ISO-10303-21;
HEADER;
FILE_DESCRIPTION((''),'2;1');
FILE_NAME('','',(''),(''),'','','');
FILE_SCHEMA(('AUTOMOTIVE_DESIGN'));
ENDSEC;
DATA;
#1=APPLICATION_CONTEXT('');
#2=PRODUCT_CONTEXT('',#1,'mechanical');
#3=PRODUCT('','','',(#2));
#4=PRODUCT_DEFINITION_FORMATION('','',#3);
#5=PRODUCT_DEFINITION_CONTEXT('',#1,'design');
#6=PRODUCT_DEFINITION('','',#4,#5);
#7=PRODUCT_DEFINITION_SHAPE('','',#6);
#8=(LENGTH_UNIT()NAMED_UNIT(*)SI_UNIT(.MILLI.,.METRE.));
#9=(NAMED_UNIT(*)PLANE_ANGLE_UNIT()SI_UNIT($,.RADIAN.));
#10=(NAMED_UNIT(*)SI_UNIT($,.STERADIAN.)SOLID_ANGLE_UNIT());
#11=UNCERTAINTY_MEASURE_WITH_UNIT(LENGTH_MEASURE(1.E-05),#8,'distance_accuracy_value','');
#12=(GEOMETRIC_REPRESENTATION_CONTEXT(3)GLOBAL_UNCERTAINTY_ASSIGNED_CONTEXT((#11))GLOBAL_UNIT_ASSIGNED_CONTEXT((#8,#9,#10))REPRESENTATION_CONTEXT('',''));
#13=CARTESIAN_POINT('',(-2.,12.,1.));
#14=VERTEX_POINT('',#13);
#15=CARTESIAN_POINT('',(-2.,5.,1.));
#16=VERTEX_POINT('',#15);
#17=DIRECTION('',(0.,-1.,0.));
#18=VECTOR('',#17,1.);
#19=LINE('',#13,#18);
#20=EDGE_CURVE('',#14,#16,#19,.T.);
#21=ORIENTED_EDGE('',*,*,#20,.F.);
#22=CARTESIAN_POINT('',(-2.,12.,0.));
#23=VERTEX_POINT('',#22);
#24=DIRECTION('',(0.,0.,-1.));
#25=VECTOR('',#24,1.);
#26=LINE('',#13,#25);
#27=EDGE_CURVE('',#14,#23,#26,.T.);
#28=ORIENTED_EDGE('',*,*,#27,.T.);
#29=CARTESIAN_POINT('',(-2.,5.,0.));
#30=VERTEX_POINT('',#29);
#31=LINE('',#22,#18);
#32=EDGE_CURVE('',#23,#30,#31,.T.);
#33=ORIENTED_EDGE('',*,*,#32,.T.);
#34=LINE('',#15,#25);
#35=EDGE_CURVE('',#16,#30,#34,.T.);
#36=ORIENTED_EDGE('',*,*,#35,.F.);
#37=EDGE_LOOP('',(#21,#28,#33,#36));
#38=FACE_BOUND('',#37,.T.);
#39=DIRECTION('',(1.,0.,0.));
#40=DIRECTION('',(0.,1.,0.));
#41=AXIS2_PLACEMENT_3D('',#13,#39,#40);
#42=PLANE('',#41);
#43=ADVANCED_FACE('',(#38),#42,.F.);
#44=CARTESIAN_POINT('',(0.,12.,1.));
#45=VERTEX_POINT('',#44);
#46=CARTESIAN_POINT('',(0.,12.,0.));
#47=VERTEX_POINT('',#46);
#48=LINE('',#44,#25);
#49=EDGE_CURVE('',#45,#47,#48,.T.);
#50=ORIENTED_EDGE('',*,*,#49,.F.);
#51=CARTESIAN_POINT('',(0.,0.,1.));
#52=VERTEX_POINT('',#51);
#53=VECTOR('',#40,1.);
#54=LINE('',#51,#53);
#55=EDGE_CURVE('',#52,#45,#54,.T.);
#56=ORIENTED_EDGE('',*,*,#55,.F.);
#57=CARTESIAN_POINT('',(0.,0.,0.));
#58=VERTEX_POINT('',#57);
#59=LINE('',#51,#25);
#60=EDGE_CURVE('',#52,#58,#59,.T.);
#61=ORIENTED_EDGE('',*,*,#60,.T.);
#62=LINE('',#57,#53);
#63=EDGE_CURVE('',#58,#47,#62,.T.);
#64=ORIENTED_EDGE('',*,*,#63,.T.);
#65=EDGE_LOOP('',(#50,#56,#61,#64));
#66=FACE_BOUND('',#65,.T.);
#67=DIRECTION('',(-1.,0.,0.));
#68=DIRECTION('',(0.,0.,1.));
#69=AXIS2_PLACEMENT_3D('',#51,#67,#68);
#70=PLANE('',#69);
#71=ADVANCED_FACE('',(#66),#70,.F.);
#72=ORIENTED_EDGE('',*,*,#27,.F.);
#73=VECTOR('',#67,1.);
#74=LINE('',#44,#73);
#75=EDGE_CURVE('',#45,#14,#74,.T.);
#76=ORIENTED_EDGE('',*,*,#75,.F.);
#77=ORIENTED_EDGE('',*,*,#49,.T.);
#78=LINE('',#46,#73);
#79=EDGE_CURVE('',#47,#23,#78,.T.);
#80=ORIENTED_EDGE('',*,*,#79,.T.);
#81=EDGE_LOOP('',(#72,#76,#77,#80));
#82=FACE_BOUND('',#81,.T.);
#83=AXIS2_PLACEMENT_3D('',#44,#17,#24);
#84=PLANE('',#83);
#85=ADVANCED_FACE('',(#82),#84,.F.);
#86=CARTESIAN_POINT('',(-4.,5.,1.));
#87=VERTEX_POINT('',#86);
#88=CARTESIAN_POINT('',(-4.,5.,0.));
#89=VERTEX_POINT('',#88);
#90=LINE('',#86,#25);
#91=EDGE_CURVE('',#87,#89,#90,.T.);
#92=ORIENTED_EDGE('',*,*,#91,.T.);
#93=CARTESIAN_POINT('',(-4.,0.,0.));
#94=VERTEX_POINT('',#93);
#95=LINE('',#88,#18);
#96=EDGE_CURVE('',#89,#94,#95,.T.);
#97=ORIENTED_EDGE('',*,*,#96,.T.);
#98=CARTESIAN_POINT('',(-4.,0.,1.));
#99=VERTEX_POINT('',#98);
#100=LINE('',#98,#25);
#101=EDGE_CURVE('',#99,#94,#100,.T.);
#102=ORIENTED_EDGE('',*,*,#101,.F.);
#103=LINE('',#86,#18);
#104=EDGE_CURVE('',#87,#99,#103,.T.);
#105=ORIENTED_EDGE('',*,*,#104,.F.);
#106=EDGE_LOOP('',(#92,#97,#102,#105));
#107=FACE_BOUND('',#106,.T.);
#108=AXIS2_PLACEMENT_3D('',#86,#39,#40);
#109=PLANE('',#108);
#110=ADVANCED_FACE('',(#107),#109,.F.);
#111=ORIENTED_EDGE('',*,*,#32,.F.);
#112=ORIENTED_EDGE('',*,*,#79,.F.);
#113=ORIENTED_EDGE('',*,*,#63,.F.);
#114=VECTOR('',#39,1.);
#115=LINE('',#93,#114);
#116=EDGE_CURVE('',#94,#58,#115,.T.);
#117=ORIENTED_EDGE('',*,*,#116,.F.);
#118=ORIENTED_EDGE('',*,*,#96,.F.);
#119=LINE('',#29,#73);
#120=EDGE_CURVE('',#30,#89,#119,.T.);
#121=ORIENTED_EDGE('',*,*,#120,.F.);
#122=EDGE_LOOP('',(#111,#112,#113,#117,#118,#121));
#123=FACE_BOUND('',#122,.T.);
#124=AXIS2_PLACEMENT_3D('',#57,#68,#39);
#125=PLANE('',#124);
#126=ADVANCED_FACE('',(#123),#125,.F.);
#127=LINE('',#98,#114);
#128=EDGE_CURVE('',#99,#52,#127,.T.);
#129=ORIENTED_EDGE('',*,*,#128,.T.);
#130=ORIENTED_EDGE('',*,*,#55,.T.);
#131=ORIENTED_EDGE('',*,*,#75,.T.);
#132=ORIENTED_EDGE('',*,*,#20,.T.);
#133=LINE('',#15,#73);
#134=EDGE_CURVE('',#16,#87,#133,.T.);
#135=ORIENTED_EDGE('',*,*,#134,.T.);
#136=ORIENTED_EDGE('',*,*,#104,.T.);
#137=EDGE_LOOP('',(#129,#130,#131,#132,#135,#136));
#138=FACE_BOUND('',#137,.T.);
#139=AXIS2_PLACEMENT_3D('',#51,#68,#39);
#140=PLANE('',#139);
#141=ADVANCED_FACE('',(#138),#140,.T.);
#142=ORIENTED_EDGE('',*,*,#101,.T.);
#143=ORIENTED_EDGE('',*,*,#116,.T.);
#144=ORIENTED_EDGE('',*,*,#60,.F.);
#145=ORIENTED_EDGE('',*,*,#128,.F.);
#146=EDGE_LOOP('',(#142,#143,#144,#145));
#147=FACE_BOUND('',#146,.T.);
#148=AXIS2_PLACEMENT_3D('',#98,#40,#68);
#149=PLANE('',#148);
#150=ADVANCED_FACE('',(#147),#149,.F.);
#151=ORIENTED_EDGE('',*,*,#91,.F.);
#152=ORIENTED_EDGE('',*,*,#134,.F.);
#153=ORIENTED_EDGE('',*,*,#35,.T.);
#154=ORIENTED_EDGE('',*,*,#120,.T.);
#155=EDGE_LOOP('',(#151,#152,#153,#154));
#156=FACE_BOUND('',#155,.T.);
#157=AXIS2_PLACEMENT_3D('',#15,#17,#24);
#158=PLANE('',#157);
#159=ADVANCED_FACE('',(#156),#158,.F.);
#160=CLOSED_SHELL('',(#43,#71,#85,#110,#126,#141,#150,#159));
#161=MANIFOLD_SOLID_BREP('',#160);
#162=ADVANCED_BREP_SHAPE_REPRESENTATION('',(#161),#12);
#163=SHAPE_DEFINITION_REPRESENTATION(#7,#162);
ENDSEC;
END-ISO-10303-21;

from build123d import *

# Parameters (mm, degrees)
EXTRUSION1_DEPTH = 1


with BuildPart() as part:
    # Esquisse1 → Extrusion1 (new body)
    with BuildSketch(Plane.XY):
        Polygon((0, 0), (0, 12), (-2, 12), (-2, 5), (-4, 5), (-4, 0), align=None)
    extrude(amount=EXTRUSION1_DEPTH)


solid = part.part
